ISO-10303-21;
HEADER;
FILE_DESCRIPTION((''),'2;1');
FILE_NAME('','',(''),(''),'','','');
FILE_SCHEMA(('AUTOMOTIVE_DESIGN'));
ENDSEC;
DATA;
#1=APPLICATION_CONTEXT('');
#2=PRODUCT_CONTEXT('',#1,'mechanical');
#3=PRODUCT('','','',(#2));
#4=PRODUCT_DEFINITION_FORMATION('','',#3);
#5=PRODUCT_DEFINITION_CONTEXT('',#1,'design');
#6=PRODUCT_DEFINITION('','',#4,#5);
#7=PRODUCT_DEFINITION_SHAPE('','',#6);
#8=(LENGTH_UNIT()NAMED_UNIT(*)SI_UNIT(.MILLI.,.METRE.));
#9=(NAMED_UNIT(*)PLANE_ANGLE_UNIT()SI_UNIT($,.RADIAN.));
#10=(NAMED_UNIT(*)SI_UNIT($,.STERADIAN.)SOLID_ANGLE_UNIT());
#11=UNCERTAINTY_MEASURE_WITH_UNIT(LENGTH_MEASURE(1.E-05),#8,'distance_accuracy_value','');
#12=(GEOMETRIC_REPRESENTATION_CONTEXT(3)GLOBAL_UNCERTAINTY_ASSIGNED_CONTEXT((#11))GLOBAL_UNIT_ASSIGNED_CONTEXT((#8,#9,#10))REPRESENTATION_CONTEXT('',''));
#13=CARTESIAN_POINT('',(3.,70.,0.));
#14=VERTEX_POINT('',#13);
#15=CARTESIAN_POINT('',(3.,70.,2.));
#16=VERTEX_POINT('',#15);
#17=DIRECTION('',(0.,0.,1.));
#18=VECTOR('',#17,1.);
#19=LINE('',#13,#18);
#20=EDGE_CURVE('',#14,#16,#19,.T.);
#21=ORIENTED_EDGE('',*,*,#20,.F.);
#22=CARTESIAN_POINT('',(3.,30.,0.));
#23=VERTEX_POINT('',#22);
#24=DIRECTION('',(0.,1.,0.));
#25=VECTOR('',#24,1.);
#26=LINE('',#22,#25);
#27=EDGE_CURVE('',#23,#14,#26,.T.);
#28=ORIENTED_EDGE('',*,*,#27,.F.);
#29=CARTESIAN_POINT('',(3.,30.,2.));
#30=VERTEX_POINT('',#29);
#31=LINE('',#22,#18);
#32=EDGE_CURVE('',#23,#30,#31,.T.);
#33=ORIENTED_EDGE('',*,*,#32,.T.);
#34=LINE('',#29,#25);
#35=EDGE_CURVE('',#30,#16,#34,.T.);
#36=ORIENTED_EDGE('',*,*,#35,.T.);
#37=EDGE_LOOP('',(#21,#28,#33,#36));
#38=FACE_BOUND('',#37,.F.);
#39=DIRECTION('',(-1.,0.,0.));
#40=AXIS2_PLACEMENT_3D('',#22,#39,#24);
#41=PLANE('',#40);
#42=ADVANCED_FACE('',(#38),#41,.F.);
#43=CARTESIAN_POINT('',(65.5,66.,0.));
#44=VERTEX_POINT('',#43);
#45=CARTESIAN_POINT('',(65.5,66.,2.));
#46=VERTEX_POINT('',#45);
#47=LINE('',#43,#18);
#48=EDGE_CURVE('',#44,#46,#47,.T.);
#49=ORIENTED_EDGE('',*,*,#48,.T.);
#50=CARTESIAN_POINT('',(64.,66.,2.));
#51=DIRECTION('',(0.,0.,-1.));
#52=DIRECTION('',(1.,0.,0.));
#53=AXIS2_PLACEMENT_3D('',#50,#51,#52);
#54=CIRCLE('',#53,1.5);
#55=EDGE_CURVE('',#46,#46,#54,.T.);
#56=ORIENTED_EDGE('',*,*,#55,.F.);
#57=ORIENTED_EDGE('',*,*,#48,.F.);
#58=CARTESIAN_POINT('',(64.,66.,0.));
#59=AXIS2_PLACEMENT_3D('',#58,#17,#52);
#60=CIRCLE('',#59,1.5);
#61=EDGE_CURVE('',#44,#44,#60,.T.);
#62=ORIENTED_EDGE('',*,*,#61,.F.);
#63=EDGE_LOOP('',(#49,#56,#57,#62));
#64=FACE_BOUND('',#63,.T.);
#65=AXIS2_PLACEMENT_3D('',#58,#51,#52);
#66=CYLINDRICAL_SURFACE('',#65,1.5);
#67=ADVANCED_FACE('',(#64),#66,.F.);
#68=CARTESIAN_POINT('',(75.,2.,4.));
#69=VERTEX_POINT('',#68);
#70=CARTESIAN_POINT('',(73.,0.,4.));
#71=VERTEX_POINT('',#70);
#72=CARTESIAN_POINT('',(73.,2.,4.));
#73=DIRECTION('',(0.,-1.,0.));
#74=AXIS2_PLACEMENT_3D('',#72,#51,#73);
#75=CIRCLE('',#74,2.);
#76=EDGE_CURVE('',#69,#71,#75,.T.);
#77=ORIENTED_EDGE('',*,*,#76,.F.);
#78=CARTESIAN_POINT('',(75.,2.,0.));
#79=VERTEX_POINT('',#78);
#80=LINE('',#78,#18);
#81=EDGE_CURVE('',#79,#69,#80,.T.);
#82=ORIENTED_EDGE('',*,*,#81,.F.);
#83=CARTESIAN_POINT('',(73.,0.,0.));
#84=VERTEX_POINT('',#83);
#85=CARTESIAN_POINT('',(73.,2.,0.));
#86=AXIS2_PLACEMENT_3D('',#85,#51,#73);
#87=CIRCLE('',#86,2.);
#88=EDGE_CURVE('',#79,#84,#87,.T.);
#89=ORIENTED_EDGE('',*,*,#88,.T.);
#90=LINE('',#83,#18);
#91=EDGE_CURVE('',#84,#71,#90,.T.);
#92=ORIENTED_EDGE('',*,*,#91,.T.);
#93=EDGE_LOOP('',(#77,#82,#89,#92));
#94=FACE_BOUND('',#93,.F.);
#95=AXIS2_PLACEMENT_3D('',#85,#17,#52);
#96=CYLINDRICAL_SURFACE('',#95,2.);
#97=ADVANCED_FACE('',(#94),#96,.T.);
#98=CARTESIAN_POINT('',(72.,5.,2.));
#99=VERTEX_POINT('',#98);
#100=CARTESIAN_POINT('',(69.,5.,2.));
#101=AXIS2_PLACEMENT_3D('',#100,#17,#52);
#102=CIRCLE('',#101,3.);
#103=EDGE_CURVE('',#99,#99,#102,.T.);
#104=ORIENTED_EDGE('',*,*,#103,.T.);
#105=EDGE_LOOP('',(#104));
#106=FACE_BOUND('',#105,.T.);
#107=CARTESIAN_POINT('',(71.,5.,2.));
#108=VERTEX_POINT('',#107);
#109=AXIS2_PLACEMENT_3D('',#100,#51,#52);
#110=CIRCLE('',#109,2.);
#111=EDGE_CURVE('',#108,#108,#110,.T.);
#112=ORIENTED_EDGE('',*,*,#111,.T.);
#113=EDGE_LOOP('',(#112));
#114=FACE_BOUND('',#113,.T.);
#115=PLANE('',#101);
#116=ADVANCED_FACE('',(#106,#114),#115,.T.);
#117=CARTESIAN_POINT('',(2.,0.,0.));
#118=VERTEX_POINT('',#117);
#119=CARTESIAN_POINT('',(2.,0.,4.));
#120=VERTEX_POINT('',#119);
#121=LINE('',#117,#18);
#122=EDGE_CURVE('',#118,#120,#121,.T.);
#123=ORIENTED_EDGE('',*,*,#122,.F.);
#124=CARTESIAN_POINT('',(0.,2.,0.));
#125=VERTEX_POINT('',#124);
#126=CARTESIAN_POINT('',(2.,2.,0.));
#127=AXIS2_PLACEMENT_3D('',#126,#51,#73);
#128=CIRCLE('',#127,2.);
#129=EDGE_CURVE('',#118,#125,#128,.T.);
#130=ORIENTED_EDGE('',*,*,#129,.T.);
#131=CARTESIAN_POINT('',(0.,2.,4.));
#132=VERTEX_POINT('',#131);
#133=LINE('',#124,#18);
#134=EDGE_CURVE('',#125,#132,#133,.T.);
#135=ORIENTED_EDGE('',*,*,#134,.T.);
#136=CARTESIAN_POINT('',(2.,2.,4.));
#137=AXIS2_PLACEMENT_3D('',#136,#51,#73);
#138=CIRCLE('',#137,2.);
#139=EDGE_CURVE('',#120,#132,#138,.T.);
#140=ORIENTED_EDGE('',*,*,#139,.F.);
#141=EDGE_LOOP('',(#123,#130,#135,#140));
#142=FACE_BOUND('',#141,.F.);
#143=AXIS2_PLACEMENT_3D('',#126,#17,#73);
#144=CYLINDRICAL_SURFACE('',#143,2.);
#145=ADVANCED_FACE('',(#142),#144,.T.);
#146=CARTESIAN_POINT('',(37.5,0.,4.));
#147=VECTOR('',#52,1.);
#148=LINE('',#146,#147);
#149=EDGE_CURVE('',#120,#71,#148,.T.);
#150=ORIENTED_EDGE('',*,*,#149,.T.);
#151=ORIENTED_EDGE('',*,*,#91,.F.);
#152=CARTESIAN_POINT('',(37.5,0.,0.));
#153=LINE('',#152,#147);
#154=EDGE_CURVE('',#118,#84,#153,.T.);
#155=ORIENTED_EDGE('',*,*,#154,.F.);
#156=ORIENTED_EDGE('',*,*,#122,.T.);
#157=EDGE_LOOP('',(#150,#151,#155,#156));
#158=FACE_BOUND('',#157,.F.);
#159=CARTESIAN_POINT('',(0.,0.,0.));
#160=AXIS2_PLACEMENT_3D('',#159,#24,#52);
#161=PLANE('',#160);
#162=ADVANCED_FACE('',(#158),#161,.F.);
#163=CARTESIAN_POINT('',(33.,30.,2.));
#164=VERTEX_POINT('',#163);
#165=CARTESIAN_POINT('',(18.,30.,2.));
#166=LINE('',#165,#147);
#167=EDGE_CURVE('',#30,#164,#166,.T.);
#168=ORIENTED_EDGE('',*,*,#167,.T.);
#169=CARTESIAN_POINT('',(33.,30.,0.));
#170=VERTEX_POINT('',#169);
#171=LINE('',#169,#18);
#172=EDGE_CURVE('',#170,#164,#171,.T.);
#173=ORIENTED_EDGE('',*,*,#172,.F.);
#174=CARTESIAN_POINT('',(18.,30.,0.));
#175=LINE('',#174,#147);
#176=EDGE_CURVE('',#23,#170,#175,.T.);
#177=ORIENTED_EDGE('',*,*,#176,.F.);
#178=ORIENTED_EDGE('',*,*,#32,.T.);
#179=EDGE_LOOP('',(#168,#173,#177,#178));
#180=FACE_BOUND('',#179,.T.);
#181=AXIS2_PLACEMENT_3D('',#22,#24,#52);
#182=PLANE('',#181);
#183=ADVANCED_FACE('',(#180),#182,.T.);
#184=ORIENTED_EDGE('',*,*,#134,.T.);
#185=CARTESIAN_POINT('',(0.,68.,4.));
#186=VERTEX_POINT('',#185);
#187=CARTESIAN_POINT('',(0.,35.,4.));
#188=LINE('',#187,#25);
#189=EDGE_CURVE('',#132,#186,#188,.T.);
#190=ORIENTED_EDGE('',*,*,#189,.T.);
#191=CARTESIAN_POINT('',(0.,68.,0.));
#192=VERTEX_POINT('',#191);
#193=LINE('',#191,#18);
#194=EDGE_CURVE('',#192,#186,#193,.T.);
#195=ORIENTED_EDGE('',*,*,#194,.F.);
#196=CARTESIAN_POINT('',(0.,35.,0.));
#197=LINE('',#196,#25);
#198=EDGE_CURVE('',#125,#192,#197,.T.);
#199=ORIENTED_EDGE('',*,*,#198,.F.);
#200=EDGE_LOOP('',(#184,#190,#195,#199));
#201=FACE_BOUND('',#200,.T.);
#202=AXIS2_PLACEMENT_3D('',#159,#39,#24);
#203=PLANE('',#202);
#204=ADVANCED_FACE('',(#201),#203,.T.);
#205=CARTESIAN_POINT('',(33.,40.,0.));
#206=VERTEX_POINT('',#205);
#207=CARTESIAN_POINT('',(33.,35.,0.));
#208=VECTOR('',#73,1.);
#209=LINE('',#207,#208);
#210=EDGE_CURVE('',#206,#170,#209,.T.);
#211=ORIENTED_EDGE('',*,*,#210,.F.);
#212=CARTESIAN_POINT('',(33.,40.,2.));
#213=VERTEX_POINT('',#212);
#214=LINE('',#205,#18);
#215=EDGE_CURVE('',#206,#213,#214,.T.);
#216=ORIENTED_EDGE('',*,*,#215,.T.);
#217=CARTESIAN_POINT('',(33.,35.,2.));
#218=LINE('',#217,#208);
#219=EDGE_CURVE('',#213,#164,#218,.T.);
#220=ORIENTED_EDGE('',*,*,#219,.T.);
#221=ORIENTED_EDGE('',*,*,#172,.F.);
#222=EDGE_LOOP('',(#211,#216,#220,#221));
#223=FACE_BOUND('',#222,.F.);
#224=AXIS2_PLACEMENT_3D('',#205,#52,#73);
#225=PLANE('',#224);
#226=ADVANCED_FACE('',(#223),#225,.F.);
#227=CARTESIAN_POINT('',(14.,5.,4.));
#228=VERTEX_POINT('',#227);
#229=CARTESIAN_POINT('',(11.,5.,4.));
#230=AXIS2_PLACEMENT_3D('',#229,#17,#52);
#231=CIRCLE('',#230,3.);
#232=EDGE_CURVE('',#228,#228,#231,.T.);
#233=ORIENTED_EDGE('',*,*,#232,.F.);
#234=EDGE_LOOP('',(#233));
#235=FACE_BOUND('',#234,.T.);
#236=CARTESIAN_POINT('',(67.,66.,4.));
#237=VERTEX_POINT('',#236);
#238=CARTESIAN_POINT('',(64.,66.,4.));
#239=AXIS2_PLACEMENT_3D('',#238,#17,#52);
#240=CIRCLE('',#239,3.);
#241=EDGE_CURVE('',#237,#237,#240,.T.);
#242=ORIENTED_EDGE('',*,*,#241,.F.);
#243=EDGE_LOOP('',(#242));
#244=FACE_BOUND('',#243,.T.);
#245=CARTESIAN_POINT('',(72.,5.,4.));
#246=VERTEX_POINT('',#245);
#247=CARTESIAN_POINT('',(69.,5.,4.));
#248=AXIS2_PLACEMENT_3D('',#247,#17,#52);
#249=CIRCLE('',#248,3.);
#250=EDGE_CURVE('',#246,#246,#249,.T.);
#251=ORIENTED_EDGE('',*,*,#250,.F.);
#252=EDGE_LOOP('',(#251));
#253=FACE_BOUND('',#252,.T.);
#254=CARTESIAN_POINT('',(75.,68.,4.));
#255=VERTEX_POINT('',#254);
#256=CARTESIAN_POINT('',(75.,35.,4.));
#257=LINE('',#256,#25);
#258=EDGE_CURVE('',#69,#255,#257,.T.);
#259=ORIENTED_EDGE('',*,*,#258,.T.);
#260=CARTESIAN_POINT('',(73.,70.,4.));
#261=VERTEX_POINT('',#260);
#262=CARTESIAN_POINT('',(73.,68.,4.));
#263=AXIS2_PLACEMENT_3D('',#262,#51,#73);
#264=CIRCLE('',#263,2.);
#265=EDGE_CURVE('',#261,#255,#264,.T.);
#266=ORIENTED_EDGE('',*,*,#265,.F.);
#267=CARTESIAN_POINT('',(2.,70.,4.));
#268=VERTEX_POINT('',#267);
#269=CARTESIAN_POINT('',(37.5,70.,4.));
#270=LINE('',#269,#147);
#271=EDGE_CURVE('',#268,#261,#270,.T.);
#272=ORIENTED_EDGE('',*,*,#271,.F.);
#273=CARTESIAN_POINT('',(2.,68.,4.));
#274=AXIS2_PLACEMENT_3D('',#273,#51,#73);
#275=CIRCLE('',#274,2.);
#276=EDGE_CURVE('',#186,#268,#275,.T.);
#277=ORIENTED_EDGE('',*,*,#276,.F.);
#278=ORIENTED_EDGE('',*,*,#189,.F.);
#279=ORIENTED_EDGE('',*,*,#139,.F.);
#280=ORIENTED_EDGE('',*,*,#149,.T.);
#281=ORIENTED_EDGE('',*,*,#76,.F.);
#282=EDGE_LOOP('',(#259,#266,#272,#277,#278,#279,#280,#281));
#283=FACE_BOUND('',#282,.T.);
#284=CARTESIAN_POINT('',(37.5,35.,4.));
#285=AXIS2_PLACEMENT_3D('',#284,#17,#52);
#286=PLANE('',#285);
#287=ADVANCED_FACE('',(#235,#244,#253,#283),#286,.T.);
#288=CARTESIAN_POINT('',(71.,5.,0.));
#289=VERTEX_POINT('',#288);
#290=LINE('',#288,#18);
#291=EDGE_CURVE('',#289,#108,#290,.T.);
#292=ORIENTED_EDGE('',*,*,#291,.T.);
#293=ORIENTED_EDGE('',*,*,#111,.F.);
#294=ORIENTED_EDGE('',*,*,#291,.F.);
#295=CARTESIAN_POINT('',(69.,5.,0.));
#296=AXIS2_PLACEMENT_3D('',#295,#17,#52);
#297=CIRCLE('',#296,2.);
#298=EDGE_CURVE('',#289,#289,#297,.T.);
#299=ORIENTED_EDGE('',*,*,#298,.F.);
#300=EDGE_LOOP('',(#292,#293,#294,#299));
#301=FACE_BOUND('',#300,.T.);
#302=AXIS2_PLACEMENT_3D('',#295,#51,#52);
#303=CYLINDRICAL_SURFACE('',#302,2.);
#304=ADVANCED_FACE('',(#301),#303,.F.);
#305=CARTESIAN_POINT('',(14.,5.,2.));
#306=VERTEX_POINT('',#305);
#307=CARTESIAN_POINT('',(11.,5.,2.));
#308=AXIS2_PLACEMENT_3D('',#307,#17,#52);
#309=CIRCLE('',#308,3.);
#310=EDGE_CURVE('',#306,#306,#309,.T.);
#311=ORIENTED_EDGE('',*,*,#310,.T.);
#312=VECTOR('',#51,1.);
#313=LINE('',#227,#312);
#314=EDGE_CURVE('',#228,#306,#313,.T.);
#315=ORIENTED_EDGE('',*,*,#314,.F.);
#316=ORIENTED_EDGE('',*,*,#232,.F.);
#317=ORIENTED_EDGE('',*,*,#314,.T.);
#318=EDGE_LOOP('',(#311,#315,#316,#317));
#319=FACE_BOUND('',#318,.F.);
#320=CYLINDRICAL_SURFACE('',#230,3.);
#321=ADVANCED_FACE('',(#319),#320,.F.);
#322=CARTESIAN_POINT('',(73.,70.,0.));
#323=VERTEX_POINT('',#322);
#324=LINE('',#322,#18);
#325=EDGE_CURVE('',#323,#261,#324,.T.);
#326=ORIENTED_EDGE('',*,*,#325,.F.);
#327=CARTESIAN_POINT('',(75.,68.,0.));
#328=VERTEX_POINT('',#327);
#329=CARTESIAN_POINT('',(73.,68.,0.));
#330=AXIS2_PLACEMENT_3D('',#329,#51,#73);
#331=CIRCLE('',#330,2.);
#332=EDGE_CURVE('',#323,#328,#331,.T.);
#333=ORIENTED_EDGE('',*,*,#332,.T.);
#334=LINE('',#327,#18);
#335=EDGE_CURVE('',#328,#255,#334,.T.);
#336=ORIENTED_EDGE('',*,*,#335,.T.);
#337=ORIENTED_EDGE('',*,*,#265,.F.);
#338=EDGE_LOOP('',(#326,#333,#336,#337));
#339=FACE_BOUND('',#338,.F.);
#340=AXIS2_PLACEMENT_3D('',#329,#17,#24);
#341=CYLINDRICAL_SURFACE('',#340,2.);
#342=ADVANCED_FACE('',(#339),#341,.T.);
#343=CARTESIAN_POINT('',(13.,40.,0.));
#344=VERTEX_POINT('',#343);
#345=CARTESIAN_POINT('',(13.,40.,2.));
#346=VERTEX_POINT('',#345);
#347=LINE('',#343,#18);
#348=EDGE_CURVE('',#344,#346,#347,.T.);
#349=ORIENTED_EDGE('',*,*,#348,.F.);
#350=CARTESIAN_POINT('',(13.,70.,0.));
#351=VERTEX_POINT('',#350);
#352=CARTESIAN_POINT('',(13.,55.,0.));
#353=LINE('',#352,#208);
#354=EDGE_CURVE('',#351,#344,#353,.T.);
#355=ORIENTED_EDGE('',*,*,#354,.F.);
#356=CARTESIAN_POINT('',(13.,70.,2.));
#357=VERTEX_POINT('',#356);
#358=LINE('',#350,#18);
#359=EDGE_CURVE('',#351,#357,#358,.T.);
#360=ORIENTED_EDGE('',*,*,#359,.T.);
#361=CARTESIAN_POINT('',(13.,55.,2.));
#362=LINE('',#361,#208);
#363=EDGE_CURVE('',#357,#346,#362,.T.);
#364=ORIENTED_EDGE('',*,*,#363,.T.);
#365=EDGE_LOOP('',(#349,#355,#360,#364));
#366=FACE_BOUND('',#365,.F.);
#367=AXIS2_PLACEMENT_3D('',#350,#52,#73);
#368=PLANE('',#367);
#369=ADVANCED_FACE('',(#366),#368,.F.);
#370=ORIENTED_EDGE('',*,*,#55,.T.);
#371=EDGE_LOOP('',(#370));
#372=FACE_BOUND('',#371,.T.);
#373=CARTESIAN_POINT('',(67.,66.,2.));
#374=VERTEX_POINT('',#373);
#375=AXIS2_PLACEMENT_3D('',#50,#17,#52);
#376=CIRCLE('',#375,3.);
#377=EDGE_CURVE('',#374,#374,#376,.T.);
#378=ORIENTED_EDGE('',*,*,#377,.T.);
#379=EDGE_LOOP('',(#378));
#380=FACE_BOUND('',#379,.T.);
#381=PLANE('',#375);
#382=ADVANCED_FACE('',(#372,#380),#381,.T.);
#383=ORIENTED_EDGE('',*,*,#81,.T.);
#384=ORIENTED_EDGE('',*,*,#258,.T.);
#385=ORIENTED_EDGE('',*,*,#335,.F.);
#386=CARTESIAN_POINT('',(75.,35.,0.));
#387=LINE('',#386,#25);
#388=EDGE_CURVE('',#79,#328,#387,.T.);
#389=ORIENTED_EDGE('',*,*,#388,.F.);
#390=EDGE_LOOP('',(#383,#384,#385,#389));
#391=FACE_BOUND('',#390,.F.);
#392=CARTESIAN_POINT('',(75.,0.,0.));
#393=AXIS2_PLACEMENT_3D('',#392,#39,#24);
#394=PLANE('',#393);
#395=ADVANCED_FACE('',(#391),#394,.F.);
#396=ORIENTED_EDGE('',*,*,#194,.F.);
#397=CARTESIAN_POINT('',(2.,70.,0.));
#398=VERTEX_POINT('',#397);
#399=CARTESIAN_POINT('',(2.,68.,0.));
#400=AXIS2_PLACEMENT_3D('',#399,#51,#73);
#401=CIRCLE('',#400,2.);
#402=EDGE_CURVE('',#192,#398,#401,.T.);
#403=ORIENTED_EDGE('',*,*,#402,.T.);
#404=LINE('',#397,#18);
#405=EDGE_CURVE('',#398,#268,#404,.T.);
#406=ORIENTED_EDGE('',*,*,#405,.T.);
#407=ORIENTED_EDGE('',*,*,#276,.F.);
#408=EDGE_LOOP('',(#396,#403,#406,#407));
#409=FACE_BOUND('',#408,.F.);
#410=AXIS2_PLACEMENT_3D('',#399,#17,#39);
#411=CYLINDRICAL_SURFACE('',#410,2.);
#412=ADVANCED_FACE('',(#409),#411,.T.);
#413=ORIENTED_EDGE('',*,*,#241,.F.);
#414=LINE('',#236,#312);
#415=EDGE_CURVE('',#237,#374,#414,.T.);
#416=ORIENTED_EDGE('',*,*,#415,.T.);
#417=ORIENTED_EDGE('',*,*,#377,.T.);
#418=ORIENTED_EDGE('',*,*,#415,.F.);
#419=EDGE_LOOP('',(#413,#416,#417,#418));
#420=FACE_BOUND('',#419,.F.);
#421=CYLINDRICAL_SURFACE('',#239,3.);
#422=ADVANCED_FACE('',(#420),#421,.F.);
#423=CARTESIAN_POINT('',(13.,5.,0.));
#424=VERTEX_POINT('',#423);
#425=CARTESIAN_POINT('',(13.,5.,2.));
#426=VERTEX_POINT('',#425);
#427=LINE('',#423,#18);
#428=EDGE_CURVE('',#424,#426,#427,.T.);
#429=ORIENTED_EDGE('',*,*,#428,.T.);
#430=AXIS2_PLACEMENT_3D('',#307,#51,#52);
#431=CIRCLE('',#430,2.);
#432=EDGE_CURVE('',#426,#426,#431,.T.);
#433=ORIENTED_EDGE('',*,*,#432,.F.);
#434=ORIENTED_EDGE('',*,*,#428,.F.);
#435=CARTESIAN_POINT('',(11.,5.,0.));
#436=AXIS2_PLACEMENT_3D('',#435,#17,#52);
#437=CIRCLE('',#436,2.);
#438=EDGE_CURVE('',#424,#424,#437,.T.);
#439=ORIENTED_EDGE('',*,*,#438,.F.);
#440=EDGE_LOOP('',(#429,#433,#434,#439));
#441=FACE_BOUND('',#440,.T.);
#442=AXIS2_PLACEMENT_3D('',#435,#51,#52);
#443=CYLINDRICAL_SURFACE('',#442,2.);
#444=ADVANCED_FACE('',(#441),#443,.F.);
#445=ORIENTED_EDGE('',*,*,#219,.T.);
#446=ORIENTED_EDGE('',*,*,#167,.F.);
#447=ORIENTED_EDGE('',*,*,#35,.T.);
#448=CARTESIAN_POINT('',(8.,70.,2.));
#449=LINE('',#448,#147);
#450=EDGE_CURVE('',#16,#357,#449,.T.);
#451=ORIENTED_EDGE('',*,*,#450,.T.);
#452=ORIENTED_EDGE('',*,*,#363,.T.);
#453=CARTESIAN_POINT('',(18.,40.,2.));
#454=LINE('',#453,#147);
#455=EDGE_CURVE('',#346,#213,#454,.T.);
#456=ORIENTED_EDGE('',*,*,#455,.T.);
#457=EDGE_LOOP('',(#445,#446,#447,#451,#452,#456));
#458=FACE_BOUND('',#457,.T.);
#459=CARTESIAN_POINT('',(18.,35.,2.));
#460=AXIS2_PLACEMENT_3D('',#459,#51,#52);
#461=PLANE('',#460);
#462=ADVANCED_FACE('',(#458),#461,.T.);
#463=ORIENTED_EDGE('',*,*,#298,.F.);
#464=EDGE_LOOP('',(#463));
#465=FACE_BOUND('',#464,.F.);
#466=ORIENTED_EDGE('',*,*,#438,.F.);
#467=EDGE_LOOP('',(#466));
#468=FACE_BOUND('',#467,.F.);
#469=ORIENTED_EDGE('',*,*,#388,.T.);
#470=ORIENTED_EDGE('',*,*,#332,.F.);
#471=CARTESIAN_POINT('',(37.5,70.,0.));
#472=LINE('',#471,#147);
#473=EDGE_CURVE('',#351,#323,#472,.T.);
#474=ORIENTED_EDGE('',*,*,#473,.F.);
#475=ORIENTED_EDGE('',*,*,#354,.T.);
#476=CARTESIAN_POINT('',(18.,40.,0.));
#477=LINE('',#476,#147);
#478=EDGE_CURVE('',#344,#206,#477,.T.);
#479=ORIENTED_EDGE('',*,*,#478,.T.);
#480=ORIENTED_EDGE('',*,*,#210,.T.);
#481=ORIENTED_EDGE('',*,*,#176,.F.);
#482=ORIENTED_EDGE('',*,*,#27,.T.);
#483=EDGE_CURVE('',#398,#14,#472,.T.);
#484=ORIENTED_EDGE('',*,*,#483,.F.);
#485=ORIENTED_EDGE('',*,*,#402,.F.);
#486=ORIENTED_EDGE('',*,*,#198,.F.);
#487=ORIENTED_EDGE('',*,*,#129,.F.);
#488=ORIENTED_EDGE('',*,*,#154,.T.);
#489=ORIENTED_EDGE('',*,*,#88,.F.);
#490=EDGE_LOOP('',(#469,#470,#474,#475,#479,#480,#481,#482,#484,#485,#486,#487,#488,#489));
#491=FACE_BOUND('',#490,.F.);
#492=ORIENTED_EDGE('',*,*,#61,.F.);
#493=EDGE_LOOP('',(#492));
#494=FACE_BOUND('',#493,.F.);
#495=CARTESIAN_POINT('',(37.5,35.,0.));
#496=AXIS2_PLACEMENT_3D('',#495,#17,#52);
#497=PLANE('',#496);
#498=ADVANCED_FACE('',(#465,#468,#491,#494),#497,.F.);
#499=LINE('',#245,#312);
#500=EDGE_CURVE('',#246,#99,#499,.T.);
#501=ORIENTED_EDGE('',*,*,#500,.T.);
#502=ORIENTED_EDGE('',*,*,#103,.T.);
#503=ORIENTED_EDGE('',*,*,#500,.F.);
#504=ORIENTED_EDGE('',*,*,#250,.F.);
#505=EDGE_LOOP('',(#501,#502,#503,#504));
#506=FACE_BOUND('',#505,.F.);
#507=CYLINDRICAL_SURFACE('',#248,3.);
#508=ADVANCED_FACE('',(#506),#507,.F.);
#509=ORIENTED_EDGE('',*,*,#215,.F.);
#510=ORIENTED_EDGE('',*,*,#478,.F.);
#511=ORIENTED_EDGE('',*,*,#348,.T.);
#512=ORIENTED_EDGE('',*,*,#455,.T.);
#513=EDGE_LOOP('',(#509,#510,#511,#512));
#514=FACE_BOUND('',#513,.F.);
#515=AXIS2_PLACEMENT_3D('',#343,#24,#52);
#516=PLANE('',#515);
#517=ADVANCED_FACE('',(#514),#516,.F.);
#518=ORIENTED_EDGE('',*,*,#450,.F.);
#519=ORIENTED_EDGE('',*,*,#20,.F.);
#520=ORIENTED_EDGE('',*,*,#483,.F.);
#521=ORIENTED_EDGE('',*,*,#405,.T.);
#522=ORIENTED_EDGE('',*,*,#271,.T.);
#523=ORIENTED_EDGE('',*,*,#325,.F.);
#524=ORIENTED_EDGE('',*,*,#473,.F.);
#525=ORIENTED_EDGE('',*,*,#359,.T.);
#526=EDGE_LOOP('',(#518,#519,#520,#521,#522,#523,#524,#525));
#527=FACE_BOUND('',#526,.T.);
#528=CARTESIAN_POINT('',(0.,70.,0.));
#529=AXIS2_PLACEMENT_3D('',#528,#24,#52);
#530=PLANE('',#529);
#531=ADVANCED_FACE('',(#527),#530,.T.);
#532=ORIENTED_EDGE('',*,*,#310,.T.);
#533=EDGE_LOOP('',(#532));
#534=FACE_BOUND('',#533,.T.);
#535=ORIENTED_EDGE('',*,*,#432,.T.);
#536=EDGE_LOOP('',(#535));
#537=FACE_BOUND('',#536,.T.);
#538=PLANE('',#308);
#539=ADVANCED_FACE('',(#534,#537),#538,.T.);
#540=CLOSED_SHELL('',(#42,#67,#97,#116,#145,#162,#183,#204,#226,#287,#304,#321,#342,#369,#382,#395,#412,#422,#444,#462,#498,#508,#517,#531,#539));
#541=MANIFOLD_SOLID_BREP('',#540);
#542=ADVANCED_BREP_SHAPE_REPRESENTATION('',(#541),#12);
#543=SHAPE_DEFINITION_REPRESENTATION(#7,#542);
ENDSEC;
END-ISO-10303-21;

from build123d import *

# Parameters (mm, degrees)
SKETCH_W        = 75
SKETCH_H        = 70
SKETCH_R        = 2
SKETCH_R_2      = 1.5
PAD_DEPTH       = 4
SKETCH001_W     = 30
SKETCH001_H     = 10
SKETCH001_W_2   = 10
SKETCH001_H_2   = 30
POCKET_DEPTH    = 2
SKETCH002_R     = 3
POCKET001_DEPTH = 2
FILLET_R        = 2
FILLET001_R     = 2
FILLET002_R     = 2
FILLET003_R     = 2


with BuildPart() as part:
    # Sketch → Pad (new body)
    with BuildSketch(Plane.XY):
        with Locations((37.5, 35)):
            Rectangle(SKETCH_W, SKETCH_H)
        with Locations((69, 5)):
            Circle(SKETCH_R, mode=Mode.SUBTRACT)
        with Locations((11, 5)):
            Circle(SKETCH_R, mode=Mode.SUBTRACT)
        with Locations((64, 66)):
            Circle(SKETCH_R_2, mode=Mode.SUBTRACT)
    extrude(amount=PAD_DEPTH)

    # Sketch001 → Pocket (cut)
    with BuildSketch(Plane(origin=(0, 0, 0), x_dir=(1, 0, 0), z_dir=(0, 0, -1))):
        with Locations((18, -35)):
            Rectangle(SKETCH001_W, SKETCH001_H)
        with Locations((8, -55)):
            Rectangle(SKETCH001_W_2, SKETCH001_H_2)
    extrude(amount=-POCKET_DEPTH, mode=Mode.SUBTRACT)

    # Sketch002 → Pocket001 (cut)
    with BuildSketch(Plane.XY.offset(4)):
        with Locations((11, 5)):
            Circle(SKETCH002_R)
        with Locations((69, 5)):
            Circle(SKETCH002_R)
        with Locations((64, 66)):
            Circle(SKETCH002_R)
    extrude(amount=-POCKET001_DEPTH, mode=Mode.SUBTRACT)

    # Fillet
    fillet_edges = [part.edges().sort_by_distance(p)[0] for p in [
        (0, 70, 2),
    ]]
    fillet(fillet_edges, radius=FILLET_R)

    # Fillet001
    fillet001_edges = [part.edges().sort_by_distance(p)[0] for p in [
        (75, 70, 2),
    ]]
    fillet(fillet001_edges, radius=FILLET001_R)

    # Fillet002
    fillet002_edges = [part.edges().sort_by_distance(p)[0] for p in [
        (75, 0, 2),
    ]]
    fillet(fillet002_edges, radius=FILLET002_R)

    # Fillet003
    fillet003_edges = [part.edges().sort_by_distance(p)[0] for p in [
        (0, 0, 2),
    ]]
    fillet(fillet003_edges, radius=FILLET003_R)


solid = part.part
